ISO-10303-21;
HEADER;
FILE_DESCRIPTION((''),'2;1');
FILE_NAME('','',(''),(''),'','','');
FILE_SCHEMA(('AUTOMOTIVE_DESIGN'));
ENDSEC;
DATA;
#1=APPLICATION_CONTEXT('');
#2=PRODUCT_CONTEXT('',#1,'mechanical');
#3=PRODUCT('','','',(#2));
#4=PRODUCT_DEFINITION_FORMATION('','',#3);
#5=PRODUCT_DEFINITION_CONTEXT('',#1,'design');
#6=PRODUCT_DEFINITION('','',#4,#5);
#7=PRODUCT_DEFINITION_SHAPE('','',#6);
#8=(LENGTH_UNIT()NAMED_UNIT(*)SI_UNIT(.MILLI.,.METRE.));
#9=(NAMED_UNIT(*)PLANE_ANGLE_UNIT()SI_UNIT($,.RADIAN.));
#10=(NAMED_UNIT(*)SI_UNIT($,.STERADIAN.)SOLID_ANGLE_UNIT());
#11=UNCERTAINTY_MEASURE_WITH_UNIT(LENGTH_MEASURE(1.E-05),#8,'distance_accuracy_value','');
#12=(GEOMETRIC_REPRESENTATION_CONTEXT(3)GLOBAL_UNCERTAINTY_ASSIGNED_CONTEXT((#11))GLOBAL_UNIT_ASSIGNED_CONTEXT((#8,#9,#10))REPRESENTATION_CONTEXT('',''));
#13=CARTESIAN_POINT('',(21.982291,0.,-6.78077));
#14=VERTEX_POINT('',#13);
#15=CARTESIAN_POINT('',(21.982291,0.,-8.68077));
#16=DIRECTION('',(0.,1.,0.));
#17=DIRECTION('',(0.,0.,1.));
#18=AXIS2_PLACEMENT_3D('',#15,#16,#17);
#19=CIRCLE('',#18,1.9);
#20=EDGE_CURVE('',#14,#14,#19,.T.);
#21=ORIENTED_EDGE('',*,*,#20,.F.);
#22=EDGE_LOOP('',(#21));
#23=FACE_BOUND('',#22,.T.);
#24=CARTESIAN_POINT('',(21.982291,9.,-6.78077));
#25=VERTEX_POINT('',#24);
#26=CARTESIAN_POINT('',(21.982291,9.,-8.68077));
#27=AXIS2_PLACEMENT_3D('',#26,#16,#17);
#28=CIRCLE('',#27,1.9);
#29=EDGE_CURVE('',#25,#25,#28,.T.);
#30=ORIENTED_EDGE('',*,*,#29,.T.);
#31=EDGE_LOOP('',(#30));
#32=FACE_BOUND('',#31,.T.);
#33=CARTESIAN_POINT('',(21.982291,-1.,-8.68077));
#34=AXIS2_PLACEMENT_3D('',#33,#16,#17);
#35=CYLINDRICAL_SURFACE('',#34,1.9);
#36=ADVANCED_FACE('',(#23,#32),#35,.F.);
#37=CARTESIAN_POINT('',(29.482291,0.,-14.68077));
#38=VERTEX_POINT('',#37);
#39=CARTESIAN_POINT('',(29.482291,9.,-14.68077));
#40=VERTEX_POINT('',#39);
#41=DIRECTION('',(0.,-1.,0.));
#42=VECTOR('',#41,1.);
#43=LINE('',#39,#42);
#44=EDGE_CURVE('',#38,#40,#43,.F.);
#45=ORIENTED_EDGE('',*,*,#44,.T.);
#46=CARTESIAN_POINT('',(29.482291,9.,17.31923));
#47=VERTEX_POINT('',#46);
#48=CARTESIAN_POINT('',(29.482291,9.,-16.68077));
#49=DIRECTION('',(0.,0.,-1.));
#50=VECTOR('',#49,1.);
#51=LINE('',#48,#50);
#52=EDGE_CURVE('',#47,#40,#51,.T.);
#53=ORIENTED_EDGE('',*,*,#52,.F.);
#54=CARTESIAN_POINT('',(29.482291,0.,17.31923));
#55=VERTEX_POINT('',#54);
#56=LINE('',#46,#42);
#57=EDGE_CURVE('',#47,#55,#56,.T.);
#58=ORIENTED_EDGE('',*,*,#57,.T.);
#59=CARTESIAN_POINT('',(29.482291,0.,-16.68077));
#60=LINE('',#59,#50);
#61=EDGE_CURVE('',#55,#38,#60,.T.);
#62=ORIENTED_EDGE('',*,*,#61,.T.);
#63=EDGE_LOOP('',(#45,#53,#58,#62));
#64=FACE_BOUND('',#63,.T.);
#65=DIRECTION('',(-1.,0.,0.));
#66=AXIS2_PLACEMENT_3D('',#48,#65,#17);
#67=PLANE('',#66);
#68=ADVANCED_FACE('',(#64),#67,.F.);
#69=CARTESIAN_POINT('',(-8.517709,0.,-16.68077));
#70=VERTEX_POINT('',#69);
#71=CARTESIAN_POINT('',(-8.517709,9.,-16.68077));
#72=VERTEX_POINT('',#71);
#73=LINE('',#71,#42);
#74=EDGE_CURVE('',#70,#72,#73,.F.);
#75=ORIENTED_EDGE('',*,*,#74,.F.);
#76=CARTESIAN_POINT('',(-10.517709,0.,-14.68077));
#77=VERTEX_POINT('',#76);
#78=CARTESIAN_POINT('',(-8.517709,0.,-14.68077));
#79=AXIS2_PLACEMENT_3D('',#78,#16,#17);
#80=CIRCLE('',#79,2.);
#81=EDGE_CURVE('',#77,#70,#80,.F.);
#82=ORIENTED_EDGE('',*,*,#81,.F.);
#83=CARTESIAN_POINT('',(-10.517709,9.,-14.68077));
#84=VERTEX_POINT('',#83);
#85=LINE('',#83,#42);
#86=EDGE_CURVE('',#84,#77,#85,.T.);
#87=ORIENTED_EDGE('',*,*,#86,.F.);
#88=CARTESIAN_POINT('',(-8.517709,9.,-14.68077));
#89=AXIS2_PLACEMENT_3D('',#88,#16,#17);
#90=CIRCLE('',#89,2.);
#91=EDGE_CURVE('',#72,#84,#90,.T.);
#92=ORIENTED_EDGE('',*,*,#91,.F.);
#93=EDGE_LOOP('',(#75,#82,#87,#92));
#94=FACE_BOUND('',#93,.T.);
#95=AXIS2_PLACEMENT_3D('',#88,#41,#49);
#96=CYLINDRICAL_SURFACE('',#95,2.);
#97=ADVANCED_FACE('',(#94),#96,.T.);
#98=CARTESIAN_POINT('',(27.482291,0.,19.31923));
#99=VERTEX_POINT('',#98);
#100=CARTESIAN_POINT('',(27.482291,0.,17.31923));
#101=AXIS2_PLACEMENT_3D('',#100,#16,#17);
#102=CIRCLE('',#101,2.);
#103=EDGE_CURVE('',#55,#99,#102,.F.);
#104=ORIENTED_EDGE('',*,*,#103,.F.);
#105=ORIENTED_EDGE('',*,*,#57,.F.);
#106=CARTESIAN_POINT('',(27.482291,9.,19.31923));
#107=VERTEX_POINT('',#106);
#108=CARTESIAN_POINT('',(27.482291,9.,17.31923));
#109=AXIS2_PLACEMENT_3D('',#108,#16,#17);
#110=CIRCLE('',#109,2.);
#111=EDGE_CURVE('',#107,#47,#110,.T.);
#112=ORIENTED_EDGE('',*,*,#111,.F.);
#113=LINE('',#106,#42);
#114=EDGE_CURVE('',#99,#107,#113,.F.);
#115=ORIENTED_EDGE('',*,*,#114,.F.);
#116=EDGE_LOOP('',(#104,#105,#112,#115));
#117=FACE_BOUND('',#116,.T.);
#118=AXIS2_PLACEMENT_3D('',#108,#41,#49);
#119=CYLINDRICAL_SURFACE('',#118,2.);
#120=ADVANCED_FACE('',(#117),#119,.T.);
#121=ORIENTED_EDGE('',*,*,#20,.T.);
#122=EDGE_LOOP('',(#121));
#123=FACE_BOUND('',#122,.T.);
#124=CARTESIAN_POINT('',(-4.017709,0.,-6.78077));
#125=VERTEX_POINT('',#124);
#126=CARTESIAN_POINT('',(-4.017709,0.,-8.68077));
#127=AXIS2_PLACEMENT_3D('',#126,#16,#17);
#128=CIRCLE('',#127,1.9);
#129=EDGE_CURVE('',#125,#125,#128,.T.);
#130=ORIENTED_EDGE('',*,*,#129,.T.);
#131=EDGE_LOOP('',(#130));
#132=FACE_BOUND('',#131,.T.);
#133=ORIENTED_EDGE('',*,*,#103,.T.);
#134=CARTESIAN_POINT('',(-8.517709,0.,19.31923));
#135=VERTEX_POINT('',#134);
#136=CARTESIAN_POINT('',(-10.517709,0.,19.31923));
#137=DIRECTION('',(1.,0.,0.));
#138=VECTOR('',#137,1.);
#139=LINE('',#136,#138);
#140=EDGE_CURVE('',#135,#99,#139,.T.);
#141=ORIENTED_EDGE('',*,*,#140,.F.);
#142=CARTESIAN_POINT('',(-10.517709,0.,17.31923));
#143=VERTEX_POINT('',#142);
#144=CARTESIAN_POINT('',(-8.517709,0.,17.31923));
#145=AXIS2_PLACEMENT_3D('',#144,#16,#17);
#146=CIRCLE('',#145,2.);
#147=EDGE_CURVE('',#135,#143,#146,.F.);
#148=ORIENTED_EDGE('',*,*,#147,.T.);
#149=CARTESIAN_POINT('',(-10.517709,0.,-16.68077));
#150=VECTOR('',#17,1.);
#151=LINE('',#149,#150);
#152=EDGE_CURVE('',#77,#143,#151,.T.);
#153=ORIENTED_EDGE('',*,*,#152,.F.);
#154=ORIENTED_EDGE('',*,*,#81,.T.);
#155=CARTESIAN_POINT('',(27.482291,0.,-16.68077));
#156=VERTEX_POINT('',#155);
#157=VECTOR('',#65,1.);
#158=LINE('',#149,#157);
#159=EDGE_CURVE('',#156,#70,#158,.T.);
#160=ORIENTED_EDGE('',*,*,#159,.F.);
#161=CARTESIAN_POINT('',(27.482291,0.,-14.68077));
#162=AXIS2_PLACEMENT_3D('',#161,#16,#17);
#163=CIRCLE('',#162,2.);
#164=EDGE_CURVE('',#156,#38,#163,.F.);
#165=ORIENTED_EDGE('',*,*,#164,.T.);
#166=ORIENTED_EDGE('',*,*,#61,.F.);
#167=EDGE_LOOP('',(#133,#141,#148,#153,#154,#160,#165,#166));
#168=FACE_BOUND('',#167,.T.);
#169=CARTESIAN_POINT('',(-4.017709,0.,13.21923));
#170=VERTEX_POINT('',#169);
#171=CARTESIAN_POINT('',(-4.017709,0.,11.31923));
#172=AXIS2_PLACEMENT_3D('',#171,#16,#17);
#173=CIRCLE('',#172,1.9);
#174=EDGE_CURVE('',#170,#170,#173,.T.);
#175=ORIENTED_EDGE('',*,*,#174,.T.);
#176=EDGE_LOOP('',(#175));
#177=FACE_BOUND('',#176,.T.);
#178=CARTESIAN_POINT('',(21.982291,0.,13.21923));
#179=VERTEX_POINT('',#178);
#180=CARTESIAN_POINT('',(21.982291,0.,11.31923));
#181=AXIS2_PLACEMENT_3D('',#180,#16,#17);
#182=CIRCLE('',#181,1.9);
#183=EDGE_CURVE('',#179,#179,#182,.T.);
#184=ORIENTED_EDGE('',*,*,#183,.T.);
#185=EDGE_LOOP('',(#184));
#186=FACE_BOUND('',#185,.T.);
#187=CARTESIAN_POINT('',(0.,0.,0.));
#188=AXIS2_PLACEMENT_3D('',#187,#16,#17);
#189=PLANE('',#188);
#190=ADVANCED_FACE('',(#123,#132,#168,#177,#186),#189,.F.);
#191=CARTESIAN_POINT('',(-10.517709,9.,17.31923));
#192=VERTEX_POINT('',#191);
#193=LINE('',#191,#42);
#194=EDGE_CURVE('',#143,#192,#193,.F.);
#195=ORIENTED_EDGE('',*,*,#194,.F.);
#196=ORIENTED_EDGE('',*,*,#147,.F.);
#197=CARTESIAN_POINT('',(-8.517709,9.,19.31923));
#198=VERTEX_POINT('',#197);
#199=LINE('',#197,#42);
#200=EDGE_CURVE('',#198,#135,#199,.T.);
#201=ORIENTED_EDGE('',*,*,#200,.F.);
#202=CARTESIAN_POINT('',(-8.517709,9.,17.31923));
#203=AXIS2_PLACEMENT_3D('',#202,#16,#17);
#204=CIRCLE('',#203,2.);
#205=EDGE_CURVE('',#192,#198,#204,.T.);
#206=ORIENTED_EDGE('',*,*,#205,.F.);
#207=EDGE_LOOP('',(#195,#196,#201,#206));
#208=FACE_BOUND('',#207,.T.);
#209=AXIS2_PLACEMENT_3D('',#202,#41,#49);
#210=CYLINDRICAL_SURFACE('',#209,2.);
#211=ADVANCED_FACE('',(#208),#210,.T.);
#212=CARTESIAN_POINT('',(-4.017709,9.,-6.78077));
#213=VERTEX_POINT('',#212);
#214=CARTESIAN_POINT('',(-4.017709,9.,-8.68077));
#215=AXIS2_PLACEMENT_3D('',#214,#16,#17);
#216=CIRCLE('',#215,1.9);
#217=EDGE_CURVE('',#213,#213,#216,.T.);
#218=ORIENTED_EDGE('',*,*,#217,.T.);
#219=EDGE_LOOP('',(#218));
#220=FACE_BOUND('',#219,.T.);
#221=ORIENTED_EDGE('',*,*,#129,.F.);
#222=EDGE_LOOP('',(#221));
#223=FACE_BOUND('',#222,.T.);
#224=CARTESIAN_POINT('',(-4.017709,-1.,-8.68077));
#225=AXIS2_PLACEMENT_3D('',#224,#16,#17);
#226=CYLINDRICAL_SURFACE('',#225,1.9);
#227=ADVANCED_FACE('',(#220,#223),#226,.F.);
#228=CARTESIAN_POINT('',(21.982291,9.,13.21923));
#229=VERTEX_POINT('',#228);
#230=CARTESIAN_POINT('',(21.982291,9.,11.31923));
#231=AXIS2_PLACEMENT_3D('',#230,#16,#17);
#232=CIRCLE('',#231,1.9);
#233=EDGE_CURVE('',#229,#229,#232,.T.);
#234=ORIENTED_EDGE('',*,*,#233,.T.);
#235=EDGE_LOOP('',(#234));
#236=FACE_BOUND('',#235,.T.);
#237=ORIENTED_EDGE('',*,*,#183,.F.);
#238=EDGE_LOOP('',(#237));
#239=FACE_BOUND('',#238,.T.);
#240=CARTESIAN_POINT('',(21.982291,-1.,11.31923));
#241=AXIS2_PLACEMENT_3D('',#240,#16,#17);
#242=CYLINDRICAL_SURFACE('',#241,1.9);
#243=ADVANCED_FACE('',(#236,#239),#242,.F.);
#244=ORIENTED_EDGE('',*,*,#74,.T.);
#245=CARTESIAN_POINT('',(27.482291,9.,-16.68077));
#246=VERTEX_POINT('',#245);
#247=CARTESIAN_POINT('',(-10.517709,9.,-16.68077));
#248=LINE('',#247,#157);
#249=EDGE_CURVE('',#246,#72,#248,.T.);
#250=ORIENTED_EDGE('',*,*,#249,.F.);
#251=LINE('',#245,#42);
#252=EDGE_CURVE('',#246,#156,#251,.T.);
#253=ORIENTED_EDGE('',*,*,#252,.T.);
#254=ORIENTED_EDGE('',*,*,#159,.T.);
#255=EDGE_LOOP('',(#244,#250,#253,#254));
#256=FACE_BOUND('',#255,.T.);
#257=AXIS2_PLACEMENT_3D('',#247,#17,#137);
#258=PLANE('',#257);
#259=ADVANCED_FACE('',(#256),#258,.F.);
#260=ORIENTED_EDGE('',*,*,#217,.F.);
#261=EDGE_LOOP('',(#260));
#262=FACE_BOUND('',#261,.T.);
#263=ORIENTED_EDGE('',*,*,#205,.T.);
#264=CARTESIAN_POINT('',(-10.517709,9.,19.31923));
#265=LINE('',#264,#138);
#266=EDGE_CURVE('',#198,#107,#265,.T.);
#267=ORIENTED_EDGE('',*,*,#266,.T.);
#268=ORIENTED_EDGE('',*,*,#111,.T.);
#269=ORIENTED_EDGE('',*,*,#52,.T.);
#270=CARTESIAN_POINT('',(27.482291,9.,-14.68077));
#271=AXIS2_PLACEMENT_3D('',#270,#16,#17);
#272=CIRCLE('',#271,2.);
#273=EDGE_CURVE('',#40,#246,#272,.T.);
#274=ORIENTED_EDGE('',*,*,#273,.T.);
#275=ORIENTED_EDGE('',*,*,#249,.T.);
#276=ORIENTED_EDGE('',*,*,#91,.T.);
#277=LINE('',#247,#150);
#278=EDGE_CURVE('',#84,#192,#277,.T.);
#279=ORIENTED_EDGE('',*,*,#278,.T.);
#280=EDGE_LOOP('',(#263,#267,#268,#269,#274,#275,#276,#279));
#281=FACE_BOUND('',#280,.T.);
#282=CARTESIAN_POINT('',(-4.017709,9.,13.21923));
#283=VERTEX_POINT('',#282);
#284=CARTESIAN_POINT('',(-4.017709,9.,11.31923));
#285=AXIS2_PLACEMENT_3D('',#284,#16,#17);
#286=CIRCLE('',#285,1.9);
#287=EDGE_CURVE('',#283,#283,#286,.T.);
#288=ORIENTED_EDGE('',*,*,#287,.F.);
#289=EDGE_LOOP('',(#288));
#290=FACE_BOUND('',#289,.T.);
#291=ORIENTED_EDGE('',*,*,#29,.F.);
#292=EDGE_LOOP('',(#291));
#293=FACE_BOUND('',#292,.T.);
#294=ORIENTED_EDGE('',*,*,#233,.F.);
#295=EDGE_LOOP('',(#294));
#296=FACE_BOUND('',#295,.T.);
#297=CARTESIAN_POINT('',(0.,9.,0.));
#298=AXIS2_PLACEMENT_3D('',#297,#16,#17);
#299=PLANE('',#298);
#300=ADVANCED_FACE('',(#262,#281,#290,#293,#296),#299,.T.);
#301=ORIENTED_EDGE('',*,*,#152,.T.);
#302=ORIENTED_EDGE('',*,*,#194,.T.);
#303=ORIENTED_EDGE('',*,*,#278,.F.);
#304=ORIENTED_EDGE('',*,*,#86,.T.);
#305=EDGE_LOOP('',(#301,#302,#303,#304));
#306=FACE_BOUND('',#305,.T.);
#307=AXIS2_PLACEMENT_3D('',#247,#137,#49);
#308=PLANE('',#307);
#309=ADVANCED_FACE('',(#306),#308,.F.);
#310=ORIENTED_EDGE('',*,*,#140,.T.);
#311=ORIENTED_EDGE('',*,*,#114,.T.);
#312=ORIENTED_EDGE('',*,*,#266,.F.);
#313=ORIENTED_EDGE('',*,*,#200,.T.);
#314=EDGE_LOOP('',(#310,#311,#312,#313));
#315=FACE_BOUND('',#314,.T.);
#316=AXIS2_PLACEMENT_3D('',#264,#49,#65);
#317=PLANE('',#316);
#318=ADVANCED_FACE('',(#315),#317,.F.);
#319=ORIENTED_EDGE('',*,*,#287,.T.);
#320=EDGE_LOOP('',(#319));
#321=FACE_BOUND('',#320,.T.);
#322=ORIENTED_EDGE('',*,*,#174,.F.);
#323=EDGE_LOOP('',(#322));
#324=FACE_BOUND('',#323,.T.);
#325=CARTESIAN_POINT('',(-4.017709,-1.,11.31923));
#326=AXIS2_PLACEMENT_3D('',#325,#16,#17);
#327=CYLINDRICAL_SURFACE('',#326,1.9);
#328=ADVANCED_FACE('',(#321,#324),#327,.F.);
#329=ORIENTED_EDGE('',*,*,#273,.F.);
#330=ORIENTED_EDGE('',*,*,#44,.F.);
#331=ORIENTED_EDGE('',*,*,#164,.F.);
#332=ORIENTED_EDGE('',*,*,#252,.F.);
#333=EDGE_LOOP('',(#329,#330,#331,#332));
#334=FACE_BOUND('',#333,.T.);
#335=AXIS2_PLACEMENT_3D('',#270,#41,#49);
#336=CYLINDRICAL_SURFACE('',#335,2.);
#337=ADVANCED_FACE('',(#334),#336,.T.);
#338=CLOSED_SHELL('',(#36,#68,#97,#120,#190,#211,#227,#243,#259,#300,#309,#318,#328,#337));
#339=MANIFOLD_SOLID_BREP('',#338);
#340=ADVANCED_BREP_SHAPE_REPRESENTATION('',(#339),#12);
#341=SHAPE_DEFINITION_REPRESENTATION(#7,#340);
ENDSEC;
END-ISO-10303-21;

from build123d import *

# Parameters (mm, degrees)
SKETCH1_W           = 40
SKETCH1_H           = 36
BOSS_EXTRUDE1_DEPTH = 9
SKETCH2_R           = 1.9
CUT_EXTRUDE1_DEPTH  = 10
FILLET1_R           = 2


with BuildPart() as part:
    # Sketch1 → Boss-Extrude1 (new body)
    with BuildSketch(Plane(origin=(0, 0, 0), x_dir=(1, 0, 0), z_dir=(0, 1, 0))):
        with Locations((9.482291419, -1.319229855)):
            Rectangle(SKETCH1_W, SKETCH1_H)
    extrude(amount=BOSS_EXTRUDE1_DEPTH)

    # Sketch2 → Cut-Extrude1 (cut)
    with BuildSketch(Plane(origin=(0, 9, 0), x_dir=(1, 0, 0), z_dir=(0, 1, 0))):
        with Locations(Location((-4.017708581, -11.319229855, 0), (0, 0, 270))):
            Circle(SKETCH2_R)
        with Locations(Location((21.982291419, -11.319229855, 0), (0, 0, 270))):
            Circle(SKETCH2_R)
        with Locations(Location((-4.017708581, 8.680770145, 0), (0, 0, 270))):
            Circle(SKETCH2_R)
        with Locations(Location((21.982291419, 8.680770145, 0), (0, 0, 270))):
            Circle(SKETCH2_R)
    extrude(amount=-CUT_EXTRUDE1_DEPTH, mode=Mode.SUBTRACT)

    # Fillet1
    fillet1_edges = [part.edges().sort_by_distance(p)[0] for p in [
        (-10.517708581, 4.5, -16.680770145),
        (29.482291419, 4.5, -16.680770145),
        (29.482291419, 4.5, 19.319229855),
        (-10.517708581, 4.5, 19.319229855),
    ]]
    fillet(fillet1_edges, radius=FILLET1_R)


solid = part.part
